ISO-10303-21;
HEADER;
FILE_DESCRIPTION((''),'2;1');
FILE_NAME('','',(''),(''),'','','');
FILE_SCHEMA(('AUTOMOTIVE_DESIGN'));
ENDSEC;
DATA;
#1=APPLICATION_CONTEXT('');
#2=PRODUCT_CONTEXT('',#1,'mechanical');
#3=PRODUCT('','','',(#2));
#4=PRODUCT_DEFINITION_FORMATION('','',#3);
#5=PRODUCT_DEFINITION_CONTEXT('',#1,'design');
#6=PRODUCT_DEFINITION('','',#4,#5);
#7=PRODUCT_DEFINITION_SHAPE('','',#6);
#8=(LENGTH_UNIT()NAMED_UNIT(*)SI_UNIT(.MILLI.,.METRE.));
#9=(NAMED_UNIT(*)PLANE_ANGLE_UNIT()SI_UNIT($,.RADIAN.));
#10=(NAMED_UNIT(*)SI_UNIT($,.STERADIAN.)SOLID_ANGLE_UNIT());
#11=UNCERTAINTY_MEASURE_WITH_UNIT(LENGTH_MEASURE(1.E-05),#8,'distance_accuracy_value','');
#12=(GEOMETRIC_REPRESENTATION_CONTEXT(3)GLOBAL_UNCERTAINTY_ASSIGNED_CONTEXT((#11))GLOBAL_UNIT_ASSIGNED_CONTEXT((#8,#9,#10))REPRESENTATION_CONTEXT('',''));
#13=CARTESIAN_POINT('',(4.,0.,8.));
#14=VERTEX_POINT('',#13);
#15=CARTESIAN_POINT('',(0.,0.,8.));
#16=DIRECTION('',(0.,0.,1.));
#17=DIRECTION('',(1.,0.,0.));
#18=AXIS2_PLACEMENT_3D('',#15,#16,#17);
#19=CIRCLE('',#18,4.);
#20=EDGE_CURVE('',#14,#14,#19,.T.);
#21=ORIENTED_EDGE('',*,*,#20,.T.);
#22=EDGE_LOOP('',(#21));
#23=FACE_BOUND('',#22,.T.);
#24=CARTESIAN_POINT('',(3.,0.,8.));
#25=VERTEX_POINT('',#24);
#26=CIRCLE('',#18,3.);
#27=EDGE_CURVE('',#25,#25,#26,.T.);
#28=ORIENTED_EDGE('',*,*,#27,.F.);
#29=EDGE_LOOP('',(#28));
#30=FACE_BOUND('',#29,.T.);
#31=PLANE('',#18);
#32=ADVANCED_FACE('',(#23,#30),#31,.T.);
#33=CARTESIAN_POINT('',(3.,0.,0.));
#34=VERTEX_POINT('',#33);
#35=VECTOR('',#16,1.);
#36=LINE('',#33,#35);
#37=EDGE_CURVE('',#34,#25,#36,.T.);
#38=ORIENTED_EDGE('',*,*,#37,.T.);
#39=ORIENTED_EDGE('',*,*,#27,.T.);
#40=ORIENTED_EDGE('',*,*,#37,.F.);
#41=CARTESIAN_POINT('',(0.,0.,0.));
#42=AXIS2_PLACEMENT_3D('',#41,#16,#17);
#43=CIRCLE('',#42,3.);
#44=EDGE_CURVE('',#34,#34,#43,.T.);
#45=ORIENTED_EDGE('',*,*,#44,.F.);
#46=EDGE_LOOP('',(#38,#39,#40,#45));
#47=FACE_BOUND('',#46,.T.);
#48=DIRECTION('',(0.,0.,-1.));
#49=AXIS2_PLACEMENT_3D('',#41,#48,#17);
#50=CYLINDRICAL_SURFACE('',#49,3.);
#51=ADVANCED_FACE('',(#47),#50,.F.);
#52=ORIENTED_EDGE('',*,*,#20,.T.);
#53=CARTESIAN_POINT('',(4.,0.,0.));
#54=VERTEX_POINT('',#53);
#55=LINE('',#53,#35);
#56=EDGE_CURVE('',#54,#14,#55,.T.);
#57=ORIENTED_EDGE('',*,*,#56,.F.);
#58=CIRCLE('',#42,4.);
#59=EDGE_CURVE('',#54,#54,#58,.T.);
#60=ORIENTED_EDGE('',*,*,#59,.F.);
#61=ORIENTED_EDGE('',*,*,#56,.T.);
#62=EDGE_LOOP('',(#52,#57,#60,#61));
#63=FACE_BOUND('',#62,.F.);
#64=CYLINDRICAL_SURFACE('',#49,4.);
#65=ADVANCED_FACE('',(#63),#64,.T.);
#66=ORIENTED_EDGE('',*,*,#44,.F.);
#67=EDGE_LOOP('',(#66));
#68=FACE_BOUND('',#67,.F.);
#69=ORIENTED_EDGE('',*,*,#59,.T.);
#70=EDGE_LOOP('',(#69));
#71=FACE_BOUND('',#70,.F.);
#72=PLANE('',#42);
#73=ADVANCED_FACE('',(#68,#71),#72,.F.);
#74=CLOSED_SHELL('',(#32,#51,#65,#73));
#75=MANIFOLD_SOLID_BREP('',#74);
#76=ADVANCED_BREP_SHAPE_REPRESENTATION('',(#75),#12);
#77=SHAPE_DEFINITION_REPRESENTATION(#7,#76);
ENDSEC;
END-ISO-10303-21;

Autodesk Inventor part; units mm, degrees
ref_plane "YZ Plane" through (0, 0, 0) normal (1, 0, 0) x (0, 1, 0)
ref_plane "XZ Plane" through (0, 0, 0) normal (0, 1, 0) x (-1, 0, 0)
ref_plane "XY Plane" through (0, 0, 0) normal (0, 0, 1) x (1, 0, 0)
sketch "スケッチ1" plane through (0, 0, 0) normal (0, 0, 1) x (1, 0, 0)
  circle A0 centre (0, 0) radius 3
  circle A1 centre (0, 0) radius 4
  dimension "d0" = 6
  dimension "d1" = 8
extrude "押し出し1" add sketch "スケッチ1" along normal blind 8
properties part number "オイレス　6-8 l=8" material "アセタール樹脂、黒"
